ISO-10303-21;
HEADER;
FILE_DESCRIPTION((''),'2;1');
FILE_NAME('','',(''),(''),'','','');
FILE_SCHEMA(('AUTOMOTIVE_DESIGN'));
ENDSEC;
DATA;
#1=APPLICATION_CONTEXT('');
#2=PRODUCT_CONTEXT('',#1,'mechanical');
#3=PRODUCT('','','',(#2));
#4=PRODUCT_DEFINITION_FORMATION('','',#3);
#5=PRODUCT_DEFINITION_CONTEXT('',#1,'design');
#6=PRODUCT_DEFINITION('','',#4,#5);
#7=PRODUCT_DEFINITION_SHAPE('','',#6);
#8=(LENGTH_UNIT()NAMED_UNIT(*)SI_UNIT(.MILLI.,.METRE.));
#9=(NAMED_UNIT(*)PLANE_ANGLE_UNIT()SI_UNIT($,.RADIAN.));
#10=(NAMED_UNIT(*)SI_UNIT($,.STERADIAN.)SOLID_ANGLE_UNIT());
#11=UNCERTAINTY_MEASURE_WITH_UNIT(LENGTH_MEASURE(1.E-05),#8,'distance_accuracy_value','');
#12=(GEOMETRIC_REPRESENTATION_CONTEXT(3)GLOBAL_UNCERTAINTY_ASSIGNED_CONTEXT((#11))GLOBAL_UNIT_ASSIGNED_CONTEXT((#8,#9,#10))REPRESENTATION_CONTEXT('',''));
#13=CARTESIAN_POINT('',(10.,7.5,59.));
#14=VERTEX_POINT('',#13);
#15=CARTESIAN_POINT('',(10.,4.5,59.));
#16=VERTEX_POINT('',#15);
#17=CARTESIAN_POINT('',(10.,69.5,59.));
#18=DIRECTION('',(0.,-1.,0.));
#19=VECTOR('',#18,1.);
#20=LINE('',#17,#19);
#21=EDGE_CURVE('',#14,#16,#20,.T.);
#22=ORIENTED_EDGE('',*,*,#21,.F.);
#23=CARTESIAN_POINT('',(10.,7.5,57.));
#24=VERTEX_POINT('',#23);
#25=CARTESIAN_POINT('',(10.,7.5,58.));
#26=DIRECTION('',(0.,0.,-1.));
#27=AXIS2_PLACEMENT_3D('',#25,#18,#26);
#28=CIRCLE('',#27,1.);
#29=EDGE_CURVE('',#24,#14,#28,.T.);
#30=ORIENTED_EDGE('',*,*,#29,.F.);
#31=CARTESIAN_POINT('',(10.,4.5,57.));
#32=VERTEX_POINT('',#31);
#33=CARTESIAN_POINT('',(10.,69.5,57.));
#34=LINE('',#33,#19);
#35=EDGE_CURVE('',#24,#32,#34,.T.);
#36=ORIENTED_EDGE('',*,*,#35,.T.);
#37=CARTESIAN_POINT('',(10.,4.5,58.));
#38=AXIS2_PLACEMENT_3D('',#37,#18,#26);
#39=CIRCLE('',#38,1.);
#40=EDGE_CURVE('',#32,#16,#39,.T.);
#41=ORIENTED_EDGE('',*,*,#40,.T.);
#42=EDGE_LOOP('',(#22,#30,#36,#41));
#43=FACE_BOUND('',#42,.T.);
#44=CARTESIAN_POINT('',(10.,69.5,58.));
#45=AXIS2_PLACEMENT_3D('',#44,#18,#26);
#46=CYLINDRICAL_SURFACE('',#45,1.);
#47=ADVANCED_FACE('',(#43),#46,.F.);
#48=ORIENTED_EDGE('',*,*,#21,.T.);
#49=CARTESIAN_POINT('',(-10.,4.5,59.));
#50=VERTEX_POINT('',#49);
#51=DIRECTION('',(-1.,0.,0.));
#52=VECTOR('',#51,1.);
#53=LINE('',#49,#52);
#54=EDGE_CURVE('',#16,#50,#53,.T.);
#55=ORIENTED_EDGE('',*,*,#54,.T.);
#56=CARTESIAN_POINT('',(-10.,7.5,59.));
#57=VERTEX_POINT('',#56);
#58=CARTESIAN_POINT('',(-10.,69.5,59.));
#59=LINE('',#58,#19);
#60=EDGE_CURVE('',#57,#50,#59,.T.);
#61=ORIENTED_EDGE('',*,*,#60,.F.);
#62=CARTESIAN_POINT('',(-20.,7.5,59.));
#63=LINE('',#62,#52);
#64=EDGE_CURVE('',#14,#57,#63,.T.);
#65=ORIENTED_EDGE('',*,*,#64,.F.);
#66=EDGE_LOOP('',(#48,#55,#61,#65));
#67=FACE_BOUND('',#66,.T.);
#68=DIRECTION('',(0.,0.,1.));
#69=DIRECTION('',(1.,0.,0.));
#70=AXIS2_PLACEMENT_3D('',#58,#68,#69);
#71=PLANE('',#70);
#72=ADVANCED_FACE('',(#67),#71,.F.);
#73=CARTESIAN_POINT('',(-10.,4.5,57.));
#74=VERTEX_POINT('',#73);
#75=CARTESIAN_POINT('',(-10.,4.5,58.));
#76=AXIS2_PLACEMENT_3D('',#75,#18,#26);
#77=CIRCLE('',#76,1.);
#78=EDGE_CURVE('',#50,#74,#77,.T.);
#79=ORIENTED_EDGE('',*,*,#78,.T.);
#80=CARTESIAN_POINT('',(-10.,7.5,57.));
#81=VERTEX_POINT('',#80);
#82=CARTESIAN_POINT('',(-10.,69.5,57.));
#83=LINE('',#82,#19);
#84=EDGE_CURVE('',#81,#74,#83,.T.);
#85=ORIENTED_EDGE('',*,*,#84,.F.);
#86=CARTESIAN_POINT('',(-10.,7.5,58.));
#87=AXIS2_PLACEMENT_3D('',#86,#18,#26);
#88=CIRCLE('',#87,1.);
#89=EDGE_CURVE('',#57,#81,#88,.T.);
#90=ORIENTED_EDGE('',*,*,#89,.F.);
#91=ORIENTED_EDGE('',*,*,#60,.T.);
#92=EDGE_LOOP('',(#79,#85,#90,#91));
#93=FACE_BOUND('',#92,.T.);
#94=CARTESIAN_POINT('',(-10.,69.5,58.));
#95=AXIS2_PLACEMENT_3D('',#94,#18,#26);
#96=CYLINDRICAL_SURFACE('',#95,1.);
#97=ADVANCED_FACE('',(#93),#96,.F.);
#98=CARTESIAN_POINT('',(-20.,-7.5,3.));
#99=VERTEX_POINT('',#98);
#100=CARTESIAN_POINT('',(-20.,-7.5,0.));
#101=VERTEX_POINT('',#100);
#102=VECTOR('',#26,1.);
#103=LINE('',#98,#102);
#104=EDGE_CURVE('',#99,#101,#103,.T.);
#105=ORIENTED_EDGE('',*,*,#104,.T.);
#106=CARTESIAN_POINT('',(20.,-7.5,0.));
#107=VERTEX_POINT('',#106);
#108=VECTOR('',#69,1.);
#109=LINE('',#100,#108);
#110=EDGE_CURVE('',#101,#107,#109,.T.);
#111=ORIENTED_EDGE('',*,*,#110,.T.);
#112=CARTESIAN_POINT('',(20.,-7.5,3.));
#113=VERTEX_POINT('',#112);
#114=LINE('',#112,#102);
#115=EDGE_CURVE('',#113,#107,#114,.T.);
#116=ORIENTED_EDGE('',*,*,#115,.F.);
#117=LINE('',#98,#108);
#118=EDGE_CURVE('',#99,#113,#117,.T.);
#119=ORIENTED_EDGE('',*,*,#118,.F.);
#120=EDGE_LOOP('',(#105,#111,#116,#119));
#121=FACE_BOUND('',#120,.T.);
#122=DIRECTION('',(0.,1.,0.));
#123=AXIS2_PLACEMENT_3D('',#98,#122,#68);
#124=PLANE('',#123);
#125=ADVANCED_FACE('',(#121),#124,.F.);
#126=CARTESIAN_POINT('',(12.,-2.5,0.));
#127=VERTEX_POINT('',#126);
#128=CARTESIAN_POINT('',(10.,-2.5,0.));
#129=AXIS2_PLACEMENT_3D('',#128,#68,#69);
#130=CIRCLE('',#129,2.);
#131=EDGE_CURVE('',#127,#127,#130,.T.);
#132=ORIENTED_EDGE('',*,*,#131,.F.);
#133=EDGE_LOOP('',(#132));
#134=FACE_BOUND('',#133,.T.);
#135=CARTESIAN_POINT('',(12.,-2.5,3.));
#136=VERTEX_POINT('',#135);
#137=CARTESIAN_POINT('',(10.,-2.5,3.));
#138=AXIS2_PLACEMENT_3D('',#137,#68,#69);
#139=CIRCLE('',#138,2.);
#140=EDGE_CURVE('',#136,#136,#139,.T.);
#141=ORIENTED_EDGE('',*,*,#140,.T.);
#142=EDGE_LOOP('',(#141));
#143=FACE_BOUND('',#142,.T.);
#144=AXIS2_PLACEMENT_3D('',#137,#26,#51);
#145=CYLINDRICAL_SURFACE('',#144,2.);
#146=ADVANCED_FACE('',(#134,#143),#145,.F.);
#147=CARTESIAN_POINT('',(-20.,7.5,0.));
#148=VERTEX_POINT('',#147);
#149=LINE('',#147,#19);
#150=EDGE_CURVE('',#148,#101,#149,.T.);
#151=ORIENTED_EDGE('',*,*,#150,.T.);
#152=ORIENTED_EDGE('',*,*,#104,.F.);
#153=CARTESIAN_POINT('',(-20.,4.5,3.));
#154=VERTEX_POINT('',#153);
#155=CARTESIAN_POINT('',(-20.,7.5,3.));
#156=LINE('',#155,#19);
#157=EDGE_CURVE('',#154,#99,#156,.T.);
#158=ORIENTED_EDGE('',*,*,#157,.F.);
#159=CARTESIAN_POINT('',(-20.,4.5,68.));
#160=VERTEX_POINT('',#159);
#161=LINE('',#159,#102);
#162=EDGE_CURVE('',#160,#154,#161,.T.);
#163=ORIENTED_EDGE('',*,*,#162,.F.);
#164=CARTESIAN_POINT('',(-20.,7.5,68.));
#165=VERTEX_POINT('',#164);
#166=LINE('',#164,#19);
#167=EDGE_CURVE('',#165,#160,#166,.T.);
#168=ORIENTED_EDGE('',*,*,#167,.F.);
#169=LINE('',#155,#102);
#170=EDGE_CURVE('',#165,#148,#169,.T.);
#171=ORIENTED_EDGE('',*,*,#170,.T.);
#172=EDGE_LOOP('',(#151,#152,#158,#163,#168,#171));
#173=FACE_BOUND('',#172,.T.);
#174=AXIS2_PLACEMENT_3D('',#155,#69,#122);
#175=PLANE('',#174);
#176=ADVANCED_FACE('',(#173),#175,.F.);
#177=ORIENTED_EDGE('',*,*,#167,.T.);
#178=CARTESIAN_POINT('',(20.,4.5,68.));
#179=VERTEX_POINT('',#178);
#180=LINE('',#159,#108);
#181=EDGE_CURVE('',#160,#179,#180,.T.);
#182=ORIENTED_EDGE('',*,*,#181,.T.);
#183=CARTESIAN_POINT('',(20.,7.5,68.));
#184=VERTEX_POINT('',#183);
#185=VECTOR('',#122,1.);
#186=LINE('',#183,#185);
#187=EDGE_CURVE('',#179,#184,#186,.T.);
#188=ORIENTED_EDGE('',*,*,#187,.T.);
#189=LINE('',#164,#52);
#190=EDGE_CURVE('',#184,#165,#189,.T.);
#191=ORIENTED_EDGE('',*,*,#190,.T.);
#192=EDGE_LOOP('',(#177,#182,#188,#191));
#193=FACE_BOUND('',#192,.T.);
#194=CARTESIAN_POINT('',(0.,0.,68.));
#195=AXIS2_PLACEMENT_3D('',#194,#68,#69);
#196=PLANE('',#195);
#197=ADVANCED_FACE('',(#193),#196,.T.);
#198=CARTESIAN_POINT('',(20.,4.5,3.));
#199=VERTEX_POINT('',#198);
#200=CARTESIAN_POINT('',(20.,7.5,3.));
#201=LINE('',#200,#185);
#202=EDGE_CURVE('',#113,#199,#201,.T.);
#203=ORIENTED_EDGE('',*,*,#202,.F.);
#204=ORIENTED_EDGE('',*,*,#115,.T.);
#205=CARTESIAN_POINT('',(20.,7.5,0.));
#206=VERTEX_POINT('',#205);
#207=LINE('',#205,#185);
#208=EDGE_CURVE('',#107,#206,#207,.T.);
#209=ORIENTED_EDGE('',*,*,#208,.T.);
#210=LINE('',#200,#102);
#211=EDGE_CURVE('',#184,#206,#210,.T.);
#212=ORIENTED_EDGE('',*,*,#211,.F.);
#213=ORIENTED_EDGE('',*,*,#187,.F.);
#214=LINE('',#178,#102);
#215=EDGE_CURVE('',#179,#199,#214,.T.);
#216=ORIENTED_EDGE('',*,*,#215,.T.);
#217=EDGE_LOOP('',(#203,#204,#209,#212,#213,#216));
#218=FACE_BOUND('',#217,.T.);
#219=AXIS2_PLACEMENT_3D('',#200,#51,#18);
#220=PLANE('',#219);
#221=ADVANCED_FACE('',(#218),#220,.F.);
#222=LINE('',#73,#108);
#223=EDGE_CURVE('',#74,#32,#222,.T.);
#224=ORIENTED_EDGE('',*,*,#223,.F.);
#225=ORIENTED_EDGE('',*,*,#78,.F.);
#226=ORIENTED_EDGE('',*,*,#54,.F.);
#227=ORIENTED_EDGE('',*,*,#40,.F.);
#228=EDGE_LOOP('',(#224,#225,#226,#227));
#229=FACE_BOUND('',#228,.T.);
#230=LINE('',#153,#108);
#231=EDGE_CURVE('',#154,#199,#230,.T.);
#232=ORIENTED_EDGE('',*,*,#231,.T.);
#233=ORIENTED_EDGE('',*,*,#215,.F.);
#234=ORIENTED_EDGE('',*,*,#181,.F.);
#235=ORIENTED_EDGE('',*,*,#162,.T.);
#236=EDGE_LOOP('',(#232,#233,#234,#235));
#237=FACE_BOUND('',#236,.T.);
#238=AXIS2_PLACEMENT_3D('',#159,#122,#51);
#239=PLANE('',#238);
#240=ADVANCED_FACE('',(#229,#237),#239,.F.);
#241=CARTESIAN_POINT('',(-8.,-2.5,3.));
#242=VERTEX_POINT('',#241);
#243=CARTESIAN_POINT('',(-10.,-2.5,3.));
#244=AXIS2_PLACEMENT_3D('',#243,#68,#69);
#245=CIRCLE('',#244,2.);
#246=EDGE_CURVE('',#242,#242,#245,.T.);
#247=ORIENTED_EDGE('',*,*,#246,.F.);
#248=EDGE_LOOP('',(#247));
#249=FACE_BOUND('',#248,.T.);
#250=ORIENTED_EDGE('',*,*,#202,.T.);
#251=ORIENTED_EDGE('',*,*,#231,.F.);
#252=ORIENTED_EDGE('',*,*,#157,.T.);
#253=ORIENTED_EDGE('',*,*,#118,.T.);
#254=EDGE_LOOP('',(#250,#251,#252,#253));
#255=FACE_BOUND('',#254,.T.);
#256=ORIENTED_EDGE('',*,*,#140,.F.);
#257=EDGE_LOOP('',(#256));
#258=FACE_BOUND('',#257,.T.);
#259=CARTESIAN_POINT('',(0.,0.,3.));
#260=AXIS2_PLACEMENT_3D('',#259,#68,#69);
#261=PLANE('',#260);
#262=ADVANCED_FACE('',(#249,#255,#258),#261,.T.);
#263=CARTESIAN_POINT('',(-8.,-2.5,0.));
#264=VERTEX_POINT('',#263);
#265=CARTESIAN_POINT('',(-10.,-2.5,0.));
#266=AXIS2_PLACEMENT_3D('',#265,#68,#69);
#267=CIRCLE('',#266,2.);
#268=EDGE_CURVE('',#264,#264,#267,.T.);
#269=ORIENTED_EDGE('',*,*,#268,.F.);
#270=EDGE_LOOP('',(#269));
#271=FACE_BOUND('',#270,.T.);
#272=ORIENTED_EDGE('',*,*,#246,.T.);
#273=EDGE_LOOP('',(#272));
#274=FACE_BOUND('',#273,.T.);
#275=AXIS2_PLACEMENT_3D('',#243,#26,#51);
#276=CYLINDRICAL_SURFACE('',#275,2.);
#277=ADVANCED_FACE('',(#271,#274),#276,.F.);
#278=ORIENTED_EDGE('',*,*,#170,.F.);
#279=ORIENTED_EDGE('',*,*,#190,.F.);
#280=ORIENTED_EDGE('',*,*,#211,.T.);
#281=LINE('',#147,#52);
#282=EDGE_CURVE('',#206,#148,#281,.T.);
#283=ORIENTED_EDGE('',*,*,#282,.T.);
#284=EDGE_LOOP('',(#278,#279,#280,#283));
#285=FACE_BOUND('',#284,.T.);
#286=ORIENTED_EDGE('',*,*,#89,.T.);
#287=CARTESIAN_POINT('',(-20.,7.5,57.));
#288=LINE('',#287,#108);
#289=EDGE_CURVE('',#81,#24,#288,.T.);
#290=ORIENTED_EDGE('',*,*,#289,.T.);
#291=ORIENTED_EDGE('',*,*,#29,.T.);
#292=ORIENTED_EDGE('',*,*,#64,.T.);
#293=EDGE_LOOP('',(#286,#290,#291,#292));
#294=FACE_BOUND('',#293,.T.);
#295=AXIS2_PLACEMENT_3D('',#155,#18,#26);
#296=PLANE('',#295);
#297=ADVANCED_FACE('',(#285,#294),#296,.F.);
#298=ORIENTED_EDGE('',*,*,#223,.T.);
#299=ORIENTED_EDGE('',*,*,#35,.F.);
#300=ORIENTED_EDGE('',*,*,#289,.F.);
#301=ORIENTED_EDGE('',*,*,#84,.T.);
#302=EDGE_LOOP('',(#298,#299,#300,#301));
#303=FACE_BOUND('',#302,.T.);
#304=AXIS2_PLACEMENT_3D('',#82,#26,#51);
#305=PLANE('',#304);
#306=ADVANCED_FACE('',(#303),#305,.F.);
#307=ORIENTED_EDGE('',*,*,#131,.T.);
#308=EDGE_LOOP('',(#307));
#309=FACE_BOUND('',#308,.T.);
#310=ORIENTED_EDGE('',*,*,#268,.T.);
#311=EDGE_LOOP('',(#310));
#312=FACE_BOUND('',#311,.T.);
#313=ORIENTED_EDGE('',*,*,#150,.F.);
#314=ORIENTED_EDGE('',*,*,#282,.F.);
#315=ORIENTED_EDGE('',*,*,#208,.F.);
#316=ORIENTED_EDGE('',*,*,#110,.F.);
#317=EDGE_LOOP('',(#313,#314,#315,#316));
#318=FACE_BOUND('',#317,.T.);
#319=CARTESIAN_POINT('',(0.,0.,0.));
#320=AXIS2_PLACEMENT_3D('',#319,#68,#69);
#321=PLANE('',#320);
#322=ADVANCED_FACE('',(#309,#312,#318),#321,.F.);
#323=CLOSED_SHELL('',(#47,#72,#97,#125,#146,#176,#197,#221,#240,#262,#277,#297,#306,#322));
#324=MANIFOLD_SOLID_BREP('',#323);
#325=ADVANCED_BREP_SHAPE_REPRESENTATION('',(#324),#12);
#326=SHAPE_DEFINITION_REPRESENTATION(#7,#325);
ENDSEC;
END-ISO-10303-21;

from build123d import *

# Parameters (mm, degrees)
SKETCH1_W           = 40
SKETCH1_H           = 15
SKETCH1_R           = 2
BOSS_EXTRUDE1_DEPTH = 3
SKETCH2_W           = 40
SKETCH2_H           = 3
BOSS_EXTRUDE2_DEPTH = 65
CUT_EXTRUDE1_DEPTH  = 65


with BuildPart() as part:
    # Sketch1 → Boss-Extrude1 (new body)
    with BuildSketch(Plane.XY):
        Rectangle(SKETCH1_W, SKETCH1_H)
        with Locations((-10, -2.5)):
            Circle(SKETCH1_R, mode=Mode.SUBTRACT)
        with Locations((10, -2.5)):
            Circle(SKETCH1_R, mode=Mode.SUBTRACT)
    extrude(amount=BOSS_EXTRUDE1_DEPTH)

    # Sketch2 → Boss-Extrude2 (add)
    with BuildSketch(Plane.XY.offset(3)):
        with Locations((0, 6)):
            Rectangle(SKETCH2_W, SKETCH2_H)
    extrude(amount=BOSS_EXTRUDE2_DEPTH)

    # Sketch3 → Cut-Extrude1 (cut)
    with BuildSketch(Plane.XZ.offset(-4.5)):
        with BuildLine():
            Line((-10, 59), (10, 59))
            ThreePointArc((10, 59), (11, 58), (10, 57))
            Line((10, 57), (-10, 57))
            ThreePointArc((-10, 57), (-11, 58), (-10, 59))
        make_face()
    extrude(amount=-CUT_EXTRUDE1_DEPTH, mode=Mode.SUBTRACT)


solid = part.part
